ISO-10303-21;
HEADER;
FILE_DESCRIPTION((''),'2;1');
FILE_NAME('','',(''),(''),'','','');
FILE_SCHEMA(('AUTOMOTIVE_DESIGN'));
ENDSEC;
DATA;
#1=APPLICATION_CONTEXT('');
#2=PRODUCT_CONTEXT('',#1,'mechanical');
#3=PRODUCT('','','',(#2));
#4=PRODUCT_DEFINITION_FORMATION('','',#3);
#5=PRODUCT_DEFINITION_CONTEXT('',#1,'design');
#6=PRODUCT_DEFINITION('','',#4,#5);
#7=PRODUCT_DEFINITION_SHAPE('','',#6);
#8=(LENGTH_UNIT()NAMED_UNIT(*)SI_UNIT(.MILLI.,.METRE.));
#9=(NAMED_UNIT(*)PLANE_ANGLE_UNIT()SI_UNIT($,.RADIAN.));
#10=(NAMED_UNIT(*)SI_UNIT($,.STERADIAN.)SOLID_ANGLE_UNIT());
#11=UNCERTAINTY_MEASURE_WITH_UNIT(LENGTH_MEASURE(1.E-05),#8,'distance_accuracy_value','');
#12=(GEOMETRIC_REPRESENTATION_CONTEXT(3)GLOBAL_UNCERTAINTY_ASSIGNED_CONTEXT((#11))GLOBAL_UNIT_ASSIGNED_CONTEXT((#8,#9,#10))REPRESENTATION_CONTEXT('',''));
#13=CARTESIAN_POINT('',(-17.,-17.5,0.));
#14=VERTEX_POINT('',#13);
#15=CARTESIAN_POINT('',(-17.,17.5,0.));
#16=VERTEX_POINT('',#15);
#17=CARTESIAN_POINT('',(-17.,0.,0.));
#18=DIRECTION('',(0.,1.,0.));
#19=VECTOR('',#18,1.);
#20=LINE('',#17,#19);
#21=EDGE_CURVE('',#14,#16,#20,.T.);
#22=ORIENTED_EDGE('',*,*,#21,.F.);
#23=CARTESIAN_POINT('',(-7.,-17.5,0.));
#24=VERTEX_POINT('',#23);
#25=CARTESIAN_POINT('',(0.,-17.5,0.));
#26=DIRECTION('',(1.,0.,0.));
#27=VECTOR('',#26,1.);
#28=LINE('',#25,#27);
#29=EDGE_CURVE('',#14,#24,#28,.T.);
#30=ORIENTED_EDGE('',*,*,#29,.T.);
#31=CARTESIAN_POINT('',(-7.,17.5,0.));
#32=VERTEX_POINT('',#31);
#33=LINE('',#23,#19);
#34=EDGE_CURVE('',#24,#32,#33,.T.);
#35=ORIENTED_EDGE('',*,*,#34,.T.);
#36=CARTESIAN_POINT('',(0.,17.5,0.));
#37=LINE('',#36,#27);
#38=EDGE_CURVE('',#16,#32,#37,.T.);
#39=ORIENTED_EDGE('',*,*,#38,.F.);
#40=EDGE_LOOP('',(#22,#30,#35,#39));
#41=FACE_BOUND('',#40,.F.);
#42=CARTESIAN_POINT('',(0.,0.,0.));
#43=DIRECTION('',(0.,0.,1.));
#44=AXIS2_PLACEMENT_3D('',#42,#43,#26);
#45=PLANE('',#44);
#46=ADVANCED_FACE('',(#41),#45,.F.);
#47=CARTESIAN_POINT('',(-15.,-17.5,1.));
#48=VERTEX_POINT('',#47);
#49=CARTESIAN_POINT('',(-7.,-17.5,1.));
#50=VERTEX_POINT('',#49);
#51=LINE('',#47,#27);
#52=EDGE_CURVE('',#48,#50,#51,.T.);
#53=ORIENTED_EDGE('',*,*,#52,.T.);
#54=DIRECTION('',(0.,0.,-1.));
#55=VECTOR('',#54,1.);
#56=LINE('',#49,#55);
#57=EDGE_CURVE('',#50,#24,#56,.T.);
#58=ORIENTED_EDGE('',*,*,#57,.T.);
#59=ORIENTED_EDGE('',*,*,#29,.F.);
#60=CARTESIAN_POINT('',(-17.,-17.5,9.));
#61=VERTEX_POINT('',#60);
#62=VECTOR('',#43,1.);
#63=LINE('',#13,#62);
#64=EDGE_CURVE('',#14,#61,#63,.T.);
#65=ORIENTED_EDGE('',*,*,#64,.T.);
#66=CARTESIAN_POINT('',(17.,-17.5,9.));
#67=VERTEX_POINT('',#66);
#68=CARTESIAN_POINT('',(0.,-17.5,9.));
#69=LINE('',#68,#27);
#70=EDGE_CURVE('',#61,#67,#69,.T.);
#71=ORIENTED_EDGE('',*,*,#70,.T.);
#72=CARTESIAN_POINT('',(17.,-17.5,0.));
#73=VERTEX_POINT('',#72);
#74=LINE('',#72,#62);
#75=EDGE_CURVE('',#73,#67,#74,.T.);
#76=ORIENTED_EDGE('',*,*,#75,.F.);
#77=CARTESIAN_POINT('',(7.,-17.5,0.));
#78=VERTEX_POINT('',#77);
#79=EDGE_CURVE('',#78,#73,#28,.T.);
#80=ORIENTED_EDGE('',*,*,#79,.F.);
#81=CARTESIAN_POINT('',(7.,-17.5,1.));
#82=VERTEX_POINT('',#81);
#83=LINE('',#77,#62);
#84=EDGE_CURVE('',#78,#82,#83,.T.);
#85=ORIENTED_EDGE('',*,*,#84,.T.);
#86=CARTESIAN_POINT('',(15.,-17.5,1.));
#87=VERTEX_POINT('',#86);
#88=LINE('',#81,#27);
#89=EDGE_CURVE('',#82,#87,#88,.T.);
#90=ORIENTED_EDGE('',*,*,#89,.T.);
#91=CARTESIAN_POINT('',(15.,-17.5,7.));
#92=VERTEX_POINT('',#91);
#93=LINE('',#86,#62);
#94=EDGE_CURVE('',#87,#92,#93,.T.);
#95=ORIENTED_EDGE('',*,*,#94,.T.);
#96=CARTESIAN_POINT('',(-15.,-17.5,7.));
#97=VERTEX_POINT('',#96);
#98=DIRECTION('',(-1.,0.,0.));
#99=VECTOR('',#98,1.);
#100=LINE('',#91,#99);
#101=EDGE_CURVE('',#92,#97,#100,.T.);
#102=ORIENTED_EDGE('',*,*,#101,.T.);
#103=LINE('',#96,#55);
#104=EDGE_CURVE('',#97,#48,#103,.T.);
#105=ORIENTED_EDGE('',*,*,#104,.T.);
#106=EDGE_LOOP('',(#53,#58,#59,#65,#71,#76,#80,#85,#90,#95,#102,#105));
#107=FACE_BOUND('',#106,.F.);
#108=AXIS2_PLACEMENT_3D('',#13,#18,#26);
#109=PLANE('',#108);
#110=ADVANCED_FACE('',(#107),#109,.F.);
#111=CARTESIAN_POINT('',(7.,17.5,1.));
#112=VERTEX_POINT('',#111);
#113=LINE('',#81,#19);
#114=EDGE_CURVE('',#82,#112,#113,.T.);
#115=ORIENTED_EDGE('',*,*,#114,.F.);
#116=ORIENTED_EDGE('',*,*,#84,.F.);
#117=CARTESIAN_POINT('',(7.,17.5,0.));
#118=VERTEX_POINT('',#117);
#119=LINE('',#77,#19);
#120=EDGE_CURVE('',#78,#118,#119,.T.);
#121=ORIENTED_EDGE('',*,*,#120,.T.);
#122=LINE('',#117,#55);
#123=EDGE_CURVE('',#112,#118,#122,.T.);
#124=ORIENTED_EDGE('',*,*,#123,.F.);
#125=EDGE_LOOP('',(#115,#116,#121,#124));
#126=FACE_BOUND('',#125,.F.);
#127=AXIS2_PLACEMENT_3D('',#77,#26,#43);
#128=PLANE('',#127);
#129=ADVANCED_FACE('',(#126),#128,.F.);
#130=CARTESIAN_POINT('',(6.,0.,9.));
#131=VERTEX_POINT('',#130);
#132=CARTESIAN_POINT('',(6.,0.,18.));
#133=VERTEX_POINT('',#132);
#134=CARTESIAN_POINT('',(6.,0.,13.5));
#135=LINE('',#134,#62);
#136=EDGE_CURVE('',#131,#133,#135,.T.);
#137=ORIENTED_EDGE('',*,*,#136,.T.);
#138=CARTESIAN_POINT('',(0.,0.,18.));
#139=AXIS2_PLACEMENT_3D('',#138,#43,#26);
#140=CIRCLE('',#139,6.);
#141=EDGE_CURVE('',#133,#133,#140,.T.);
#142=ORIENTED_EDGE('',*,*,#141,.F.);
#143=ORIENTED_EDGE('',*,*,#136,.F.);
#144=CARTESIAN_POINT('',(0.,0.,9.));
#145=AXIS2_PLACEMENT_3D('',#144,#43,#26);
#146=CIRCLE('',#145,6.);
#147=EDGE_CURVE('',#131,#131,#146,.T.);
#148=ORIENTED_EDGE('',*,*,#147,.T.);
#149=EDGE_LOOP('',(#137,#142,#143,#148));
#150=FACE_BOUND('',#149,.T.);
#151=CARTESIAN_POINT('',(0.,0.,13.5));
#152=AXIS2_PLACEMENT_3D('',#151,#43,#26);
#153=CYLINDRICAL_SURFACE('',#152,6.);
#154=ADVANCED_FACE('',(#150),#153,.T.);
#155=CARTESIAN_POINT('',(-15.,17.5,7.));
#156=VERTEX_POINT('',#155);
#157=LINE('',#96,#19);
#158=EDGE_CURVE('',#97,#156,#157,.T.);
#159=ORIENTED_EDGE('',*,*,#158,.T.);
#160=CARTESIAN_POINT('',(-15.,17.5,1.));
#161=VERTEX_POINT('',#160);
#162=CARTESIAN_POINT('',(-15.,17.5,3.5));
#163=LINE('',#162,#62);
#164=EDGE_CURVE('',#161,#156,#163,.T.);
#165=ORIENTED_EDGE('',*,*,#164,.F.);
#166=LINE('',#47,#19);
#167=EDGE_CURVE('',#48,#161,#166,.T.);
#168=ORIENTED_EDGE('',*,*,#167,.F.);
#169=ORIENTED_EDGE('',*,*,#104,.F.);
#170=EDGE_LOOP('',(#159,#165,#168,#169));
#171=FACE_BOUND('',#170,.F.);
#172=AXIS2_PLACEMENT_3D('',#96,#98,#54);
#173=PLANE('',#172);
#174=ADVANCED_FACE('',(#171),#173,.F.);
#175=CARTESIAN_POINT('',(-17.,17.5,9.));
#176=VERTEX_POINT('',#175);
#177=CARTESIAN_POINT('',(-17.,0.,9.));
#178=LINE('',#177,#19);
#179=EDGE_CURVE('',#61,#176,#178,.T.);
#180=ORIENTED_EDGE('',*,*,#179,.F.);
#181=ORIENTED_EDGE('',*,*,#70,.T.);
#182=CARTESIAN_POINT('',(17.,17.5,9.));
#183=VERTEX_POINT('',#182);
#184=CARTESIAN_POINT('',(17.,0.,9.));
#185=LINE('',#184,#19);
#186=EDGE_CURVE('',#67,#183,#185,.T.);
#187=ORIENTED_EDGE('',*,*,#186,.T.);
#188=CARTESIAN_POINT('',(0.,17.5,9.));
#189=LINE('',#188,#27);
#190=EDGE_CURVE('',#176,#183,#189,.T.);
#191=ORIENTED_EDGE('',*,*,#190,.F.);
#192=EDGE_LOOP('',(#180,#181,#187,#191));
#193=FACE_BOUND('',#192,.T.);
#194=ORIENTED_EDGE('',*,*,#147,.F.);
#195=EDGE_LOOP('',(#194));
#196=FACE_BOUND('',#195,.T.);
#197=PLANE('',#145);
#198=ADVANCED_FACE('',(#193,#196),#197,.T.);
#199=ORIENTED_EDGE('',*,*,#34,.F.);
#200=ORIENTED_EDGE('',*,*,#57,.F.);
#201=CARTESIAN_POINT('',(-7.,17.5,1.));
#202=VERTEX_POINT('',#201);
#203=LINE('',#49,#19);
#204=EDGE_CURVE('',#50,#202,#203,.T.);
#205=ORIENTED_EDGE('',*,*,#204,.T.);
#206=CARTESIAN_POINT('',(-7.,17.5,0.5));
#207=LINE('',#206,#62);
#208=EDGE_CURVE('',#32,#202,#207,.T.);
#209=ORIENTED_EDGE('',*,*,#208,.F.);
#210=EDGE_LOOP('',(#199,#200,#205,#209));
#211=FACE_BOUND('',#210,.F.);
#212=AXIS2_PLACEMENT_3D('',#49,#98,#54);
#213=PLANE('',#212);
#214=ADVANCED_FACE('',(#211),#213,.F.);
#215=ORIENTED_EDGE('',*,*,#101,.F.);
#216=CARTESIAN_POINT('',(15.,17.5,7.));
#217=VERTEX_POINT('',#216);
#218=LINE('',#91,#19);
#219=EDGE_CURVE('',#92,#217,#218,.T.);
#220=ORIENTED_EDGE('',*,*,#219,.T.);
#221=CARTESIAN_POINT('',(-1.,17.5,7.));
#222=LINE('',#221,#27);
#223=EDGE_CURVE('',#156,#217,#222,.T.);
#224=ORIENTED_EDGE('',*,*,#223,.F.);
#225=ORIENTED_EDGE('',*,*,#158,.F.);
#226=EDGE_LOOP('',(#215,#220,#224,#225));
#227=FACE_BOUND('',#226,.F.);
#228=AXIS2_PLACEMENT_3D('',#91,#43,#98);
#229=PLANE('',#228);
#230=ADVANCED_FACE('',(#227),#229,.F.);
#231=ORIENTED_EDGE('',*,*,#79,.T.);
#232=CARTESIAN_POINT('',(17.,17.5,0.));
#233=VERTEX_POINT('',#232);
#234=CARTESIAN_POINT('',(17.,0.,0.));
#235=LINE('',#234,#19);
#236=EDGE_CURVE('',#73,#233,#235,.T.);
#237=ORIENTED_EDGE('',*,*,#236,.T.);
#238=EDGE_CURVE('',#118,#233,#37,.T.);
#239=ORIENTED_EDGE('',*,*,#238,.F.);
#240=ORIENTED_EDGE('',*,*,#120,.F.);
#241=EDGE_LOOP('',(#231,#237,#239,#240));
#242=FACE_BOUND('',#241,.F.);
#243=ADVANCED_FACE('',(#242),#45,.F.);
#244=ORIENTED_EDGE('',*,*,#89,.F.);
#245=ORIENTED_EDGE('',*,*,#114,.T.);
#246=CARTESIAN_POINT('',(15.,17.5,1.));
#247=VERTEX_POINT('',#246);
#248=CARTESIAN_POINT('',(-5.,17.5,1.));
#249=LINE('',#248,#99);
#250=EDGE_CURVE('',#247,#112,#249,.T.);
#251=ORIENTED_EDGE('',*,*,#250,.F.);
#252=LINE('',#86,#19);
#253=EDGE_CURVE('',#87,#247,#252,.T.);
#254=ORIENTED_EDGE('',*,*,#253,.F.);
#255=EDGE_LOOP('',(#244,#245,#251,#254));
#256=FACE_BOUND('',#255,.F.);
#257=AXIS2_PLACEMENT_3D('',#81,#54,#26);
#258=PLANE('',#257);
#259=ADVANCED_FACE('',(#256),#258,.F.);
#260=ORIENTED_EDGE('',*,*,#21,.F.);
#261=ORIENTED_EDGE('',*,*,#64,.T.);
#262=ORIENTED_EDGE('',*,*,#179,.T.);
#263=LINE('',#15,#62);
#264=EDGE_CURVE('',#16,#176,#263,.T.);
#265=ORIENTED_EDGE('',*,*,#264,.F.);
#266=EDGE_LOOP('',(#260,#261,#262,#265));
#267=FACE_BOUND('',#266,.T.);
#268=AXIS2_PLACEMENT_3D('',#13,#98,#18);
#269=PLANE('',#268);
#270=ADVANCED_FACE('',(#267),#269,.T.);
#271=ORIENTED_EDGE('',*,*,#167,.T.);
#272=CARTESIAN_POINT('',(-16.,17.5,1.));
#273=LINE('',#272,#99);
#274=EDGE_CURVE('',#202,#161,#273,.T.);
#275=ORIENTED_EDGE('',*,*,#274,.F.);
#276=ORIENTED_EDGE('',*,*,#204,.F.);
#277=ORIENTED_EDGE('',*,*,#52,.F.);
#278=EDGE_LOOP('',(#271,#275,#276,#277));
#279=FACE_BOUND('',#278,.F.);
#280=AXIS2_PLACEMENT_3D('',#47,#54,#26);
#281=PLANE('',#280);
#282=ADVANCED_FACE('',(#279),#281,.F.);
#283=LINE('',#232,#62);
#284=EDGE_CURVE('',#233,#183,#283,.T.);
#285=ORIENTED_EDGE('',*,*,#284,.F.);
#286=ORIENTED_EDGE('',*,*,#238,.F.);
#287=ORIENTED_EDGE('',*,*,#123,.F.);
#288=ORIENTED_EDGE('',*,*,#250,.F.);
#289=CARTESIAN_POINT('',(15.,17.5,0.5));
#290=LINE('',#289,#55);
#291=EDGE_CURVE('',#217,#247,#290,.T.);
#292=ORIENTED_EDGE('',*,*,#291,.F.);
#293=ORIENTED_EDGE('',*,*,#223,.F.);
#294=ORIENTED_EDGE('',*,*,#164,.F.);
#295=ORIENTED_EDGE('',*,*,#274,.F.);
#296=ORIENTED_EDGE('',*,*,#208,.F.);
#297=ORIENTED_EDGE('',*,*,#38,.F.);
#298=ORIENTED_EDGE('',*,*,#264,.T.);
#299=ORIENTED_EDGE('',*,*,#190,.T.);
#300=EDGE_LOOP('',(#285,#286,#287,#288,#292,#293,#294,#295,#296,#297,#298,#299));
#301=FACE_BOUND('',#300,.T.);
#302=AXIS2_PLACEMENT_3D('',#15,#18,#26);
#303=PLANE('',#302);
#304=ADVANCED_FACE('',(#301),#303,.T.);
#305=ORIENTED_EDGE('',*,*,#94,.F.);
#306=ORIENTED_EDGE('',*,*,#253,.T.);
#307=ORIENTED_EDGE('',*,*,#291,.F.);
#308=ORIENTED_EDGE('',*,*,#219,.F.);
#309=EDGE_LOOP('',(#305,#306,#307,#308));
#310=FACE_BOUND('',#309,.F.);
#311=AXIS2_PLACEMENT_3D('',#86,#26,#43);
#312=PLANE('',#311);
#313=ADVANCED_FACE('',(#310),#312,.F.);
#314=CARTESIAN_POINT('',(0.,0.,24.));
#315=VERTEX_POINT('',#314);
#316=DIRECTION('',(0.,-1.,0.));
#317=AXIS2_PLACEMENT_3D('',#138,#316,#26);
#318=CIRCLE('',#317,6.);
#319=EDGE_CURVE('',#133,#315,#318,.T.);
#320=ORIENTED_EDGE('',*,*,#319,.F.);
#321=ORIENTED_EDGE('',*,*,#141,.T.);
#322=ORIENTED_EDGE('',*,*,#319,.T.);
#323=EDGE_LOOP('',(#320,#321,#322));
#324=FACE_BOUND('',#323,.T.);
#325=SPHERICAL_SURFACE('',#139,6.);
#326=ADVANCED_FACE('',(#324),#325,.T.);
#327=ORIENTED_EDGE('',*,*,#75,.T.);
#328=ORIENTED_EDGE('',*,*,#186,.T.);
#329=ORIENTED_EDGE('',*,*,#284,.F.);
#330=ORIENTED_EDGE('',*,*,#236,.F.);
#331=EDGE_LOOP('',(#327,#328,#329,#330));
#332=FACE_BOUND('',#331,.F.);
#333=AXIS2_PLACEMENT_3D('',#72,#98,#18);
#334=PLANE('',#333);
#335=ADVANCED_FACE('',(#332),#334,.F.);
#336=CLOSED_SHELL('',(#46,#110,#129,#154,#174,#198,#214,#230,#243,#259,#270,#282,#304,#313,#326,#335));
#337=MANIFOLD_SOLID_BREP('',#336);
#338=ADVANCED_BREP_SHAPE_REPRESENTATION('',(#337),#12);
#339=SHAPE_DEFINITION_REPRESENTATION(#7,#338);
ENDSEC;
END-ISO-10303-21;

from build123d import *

# Parameters (mm, degrees)
F0_W     = 34
F0_H     = 35
F1_DEPTH = 9
F3_DEPTH = 56.9500997663
F4_W     = 6
F4_H     = 9


with BuildPart() as f1:
    # F0 (on Top) → F1 (new body)
    with BuildSketch(Plane.XY):
        Rectangle(F0_W, F0_H)
    extrude(amount=F1_DEPTH)

    # F2 (on face) → F3 (cut)
    with BuildSketch(Plane.XZ.offset(17.5)):
        Polygon((-7, 1), (-7, 0), (0, 0), (0, 7), (-15, 7), (-15, 1), align=None)
        Polygon((0, 7), (0, 0), (7, 0), (7, 1), (15, 1), (15, 7), align=None)
    extrude(amount=-F3_DEPTH, mode=Mode.SUBTRACT)

    # F4 (on Front) → F6 (revolve)
    with BuildSketch(Plane.XZ):
        with Locations((3, 13.5)):
            Rectangle(F4_W, F4_H)
        with BuildLine():
            Line((0, 18), (6, 18))
            ThreePointArc((6, 18), (4.2426406871, 22.2426406871), (0, 24))
            Line((0, 24), (0, 18))
        make_face()
    revolve(axis=Axis((0, 0, 0), (0, 0, 1)))


solid = f1.part
